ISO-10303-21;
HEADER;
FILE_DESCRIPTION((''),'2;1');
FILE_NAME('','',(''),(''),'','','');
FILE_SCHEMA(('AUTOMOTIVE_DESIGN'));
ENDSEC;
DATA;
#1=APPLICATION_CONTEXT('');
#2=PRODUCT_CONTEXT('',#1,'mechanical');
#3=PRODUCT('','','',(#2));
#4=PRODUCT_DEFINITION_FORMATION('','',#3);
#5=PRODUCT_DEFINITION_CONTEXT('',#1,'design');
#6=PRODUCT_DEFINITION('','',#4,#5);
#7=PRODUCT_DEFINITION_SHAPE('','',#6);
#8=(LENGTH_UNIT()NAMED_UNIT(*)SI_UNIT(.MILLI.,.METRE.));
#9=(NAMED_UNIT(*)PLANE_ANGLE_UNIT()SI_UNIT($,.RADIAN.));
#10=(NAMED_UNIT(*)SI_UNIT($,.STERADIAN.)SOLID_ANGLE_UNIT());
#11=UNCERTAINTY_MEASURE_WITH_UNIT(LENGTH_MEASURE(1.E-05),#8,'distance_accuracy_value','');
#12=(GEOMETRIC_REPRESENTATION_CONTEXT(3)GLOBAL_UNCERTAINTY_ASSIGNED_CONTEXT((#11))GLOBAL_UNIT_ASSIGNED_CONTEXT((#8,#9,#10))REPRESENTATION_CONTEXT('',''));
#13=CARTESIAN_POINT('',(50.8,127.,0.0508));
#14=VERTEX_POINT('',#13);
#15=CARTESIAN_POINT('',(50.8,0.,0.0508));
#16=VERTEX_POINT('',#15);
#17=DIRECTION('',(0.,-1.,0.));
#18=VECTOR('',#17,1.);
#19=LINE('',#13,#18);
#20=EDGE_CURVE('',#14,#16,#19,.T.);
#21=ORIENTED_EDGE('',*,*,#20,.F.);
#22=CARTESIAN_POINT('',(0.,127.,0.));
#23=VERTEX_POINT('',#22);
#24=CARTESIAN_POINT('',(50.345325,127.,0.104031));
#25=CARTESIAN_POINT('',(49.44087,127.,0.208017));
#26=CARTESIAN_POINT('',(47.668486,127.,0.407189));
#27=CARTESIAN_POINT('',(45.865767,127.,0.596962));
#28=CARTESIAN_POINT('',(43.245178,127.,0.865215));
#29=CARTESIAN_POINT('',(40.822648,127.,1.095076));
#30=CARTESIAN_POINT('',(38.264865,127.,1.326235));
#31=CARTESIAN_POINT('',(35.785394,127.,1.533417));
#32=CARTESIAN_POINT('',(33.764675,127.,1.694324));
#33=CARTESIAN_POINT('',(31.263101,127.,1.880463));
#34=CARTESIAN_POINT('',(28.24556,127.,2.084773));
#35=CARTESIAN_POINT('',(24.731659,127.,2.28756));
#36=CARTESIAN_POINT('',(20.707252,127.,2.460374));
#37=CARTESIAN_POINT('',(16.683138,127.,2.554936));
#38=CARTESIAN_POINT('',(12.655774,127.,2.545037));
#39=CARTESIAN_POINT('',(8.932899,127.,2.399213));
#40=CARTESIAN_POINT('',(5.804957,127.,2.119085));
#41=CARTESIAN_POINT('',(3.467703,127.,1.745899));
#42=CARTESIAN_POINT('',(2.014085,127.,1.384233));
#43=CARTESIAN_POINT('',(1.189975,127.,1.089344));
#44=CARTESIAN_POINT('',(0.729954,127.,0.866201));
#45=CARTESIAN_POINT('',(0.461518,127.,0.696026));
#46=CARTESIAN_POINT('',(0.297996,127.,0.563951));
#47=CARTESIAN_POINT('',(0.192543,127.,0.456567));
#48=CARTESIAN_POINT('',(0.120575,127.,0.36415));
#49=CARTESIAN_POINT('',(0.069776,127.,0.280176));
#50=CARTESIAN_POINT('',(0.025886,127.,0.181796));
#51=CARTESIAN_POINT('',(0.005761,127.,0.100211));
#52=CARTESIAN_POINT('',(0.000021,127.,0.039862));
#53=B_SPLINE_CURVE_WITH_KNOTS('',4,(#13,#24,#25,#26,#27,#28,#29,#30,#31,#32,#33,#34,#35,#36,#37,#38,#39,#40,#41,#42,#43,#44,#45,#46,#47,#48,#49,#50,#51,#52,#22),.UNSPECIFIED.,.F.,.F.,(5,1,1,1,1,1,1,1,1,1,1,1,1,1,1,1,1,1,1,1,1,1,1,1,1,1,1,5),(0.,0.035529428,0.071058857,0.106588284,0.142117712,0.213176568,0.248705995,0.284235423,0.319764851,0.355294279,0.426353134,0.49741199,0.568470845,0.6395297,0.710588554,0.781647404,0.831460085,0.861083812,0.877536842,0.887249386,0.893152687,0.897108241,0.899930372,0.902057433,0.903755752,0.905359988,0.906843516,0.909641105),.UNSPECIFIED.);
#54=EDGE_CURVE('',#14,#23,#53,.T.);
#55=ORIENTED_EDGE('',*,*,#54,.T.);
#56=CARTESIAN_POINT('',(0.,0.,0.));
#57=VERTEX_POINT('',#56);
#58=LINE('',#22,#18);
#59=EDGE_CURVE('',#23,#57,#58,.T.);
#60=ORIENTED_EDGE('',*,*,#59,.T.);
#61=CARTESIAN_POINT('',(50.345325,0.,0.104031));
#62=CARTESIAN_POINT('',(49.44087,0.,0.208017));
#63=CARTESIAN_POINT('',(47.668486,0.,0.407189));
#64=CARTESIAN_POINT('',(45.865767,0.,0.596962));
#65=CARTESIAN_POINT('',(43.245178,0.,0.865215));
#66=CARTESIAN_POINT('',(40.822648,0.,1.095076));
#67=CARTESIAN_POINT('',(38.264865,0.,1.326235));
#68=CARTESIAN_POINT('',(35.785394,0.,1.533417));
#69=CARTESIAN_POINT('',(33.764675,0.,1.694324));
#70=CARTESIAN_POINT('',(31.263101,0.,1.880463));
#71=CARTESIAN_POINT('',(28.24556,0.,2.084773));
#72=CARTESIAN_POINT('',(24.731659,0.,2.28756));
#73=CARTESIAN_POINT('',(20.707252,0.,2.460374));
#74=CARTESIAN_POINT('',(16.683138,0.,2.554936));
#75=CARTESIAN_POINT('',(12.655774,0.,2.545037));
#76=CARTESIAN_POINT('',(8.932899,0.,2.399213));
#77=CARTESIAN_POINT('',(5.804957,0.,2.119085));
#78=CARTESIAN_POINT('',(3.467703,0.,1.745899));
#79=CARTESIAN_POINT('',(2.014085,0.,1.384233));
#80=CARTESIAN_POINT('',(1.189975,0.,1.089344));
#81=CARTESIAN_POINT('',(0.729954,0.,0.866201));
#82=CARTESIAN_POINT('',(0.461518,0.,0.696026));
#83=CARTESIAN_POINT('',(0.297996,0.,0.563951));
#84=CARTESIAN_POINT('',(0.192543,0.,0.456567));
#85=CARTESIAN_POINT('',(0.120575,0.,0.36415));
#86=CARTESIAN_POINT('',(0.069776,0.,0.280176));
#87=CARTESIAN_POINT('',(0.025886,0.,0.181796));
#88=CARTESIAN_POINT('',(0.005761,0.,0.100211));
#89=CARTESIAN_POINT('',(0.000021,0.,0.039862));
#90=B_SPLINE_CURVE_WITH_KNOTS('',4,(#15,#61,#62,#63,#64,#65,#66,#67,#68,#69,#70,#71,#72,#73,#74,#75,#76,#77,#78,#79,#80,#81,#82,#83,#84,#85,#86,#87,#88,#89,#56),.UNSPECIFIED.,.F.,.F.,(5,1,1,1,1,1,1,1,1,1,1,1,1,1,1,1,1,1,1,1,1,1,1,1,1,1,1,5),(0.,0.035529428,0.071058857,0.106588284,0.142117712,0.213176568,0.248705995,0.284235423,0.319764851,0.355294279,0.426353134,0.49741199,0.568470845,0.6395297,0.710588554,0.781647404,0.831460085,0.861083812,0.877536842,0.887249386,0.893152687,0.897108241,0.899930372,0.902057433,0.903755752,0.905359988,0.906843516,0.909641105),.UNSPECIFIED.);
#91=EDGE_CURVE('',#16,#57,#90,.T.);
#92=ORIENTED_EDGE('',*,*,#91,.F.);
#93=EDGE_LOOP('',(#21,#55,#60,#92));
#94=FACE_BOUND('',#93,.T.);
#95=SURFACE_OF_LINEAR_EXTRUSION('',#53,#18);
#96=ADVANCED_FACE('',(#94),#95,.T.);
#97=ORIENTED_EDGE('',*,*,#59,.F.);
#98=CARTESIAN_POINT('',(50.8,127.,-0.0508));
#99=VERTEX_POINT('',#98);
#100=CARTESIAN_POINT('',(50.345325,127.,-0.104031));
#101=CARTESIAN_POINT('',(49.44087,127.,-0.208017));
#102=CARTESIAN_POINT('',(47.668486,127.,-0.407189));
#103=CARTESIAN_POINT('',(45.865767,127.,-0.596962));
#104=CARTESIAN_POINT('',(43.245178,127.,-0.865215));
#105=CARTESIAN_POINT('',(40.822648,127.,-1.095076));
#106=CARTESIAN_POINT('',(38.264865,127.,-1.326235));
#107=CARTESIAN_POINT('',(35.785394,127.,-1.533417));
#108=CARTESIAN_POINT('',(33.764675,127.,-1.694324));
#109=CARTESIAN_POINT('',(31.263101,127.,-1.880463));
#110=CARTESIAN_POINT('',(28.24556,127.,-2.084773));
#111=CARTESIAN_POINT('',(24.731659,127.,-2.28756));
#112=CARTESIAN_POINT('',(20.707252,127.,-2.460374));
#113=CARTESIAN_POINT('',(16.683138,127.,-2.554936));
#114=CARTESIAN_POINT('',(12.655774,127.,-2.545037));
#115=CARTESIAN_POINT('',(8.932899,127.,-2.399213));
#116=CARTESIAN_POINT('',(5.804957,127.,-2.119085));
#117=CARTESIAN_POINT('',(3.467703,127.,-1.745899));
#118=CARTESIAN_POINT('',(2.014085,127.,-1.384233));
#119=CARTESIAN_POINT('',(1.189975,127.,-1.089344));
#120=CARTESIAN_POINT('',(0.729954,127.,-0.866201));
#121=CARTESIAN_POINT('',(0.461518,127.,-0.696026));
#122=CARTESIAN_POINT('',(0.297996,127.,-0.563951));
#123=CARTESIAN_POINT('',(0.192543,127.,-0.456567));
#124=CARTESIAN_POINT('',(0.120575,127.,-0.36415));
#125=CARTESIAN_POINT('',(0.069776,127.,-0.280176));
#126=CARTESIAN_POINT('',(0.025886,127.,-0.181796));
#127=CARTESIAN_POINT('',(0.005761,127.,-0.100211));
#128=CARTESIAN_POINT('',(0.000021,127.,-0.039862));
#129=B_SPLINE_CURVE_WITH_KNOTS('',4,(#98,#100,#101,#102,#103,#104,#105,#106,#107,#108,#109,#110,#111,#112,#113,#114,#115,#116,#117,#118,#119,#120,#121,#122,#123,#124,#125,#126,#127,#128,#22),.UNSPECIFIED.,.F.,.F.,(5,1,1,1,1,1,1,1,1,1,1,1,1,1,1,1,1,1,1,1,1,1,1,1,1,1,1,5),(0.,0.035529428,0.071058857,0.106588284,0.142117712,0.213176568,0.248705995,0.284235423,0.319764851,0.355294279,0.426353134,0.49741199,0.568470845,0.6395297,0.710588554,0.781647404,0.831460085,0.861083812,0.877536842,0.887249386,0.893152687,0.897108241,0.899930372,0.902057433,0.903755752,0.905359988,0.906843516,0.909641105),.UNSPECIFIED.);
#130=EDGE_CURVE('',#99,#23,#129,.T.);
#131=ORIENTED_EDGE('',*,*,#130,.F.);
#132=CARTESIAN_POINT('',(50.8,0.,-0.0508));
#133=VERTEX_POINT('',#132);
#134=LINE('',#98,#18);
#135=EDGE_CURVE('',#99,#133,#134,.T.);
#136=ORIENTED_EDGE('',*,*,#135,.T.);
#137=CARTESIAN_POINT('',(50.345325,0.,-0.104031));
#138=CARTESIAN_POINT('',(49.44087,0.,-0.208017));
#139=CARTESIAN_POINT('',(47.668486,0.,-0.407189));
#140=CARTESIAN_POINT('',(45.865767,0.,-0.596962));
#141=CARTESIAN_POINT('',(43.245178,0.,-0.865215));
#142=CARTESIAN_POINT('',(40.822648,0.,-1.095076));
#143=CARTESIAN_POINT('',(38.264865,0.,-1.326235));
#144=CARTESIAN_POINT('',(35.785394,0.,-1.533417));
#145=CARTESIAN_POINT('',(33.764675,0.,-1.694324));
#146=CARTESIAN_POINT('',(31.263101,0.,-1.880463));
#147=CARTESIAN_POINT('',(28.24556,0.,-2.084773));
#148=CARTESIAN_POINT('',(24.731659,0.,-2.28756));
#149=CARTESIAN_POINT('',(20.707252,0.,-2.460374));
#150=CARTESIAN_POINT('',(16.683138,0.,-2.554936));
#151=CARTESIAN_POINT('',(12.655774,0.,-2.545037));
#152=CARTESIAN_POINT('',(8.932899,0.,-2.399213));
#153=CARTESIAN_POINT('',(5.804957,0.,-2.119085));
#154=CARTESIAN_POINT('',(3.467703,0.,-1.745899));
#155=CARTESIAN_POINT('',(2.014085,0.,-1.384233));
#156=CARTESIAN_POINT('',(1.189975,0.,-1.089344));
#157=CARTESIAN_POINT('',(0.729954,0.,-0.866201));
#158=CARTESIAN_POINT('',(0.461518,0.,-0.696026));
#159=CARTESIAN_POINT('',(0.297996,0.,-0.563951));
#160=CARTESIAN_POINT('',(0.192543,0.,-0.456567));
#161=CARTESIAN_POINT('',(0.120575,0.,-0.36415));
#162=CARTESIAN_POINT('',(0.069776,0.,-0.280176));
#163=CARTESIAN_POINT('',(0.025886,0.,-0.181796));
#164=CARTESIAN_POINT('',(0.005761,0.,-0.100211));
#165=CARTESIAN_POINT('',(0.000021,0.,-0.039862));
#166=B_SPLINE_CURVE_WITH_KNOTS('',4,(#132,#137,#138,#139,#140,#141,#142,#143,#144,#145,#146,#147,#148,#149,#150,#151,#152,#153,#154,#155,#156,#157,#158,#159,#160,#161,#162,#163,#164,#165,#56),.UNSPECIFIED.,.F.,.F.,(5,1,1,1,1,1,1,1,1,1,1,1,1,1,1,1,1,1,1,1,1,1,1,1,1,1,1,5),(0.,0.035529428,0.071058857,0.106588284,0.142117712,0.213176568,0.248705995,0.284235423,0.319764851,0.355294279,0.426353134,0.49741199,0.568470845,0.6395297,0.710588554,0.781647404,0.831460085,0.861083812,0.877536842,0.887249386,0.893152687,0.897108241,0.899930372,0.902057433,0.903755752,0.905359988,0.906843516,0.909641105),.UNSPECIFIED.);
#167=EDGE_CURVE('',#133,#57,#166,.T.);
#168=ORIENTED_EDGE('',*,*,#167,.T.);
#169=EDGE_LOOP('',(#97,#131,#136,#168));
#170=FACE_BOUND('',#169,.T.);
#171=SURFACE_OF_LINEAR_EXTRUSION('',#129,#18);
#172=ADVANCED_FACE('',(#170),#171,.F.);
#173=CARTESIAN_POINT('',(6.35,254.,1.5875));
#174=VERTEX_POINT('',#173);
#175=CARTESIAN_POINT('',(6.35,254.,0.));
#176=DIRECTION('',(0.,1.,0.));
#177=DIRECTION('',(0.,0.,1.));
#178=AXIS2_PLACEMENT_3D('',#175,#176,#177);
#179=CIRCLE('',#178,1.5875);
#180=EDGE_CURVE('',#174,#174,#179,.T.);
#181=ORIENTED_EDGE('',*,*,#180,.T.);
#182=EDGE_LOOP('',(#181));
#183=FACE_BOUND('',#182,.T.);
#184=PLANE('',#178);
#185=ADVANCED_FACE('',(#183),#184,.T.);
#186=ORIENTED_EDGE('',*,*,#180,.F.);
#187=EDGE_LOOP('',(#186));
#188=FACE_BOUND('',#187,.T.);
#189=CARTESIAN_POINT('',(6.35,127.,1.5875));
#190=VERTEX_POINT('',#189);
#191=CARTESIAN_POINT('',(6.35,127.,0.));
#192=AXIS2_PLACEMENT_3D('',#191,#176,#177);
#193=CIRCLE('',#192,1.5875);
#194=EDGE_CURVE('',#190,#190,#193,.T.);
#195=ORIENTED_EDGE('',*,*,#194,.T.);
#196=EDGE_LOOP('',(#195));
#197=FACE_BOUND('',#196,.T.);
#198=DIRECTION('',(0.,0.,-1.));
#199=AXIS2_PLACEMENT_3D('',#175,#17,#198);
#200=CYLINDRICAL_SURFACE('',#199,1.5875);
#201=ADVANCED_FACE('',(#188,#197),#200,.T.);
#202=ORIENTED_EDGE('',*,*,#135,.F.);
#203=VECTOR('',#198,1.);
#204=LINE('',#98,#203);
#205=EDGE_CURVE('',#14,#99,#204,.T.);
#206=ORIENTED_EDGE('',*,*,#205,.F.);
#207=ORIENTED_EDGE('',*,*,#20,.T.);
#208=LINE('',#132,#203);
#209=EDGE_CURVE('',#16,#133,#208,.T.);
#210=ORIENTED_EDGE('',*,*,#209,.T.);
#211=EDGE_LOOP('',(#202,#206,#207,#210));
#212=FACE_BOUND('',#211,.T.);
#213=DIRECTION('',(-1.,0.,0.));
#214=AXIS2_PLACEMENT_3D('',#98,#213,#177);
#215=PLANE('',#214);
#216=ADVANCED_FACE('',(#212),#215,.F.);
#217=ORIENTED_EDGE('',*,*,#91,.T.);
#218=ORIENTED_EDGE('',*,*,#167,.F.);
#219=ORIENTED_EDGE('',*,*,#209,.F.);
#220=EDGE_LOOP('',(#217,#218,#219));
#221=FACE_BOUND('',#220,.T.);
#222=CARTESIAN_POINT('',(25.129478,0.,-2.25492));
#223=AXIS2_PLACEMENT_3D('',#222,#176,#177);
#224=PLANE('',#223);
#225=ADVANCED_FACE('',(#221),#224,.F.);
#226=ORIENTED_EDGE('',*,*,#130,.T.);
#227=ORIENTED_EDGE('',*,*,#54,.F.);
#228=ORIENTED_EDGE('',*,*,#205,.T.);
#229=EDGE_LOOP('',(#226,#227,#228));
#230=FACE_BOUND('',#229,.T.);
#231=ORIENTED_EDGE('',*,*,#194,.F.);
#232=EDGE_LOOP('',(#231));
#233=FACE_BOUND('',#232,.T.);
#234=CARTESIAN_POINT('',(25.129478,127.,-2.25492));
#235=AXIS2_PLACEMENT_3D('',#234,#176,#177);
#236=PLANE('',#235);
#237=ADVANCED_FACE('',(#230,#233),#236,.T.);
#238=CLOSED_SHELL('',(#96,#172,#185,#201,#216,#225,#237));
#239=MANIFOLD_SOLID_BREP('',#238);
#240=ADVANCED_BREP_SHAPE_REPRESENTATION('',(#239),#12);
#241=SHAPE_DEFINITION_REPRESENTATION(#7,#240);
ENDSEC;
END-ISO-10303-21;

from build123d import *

# Parameters (mm, degrees)
BOSS_EXTRUDE1_DEPTH = 127
SKETCH2_R           = 1.5875
BOSS_EXTRUDE2_DEPTH = 127


with BuildPart() as part:
    # Sketch1 → Boss-Extrude1 (new body)
    with BuildSketch(Plane(origin=(0, 0, 0), x_dir=(1, 0, 0), z_dir=(0, 1, 0))):
        with BuildLine():
            Line((50.8, 0.0508), (50.8, 0))
            Line((50.8, 0), (0, 0))
            add(Edge.make_bspline(
                [(0, 0), (2.1206e-05, 0.039862356), (0.00576139, 0.100210815), (0.02588624, 0.181796342), (0.069775891, 0.280176128), (0.120575217, 0.364149982), (0.192542699, 0.456567036), (0.297995582, 0.56395117), (0.461517576, 0.696025526), (0.729954447, 0.86620071), (1.189974544, 1.089344132), (2.014085288, 1.384232868), (3.467702723, 1.745899213), (5.80495673, 2.119084939), (8.932898979, 2.399213465), (12.655774362, 2.545037355), (16.683138242, 2.554936035), (20.707251866, 2.460374136), (24.73165904, 2.287560046), (28.245559772, 2.084773383), (31.263100941, 1.880463108), (33.764674844, 1.694323754), (35.785394098, 1.533417253), (38.264864841, 1.326235245), (40.822648215, 1.095076006), (43.245178187, 0.865215439), (45.86576662, 0.596961966), (47.668485926, 0.40718912), (49.440869506, 0.208017066), (50.345324939, 0.104031083), (50.8, 0.0508)],
                knots=[0, 0, 0, 0, 0, 0.00279759, 0.004281117, 0.005885353, 0.007583672, 0.009710733, 0.012532865, 0.016488419, 0.02239172, 0.032104263, 0.048557293, 0.078181021, 0.127993702, 0.199052552, 0.270111406, 0.341170261, 0.412229116, 0.483287971, 0.554346827, 0.589876255, 0.625405682, 0.66093511, 0.696464538, 0.767523393, 0.803052821, 0.838582249, 0.874111677, 0.909641105, 0.909641105, 0.909641105, 0.909641105, 0.909641105], degree=4))
        make_face()
    extrude(amount=BOSS_EXTRUDE1_DEPTH)

    # Mirror1: part across plane


with BuildPart() as part_1:
    add(part.part)
    add(part.part.mirror(Plane(origin=(50.8, 127, 0), x_dir=(1, 0, 0), z_dir=(0, 0, -1))))

    # Sketch2 → Boss-Extrude2 (add)
    with BuildSketch(Plane(origin=(0, 127, 0), x_dir=(1, 0, 0), z_dir=(0, 1, 0))):
        with Locations((6.35, 0)):
            Circle(SKETCH2_R)
    extrude(amount=BOSS_EXTRUDE2_DEPTH)


solid = part_1.part
